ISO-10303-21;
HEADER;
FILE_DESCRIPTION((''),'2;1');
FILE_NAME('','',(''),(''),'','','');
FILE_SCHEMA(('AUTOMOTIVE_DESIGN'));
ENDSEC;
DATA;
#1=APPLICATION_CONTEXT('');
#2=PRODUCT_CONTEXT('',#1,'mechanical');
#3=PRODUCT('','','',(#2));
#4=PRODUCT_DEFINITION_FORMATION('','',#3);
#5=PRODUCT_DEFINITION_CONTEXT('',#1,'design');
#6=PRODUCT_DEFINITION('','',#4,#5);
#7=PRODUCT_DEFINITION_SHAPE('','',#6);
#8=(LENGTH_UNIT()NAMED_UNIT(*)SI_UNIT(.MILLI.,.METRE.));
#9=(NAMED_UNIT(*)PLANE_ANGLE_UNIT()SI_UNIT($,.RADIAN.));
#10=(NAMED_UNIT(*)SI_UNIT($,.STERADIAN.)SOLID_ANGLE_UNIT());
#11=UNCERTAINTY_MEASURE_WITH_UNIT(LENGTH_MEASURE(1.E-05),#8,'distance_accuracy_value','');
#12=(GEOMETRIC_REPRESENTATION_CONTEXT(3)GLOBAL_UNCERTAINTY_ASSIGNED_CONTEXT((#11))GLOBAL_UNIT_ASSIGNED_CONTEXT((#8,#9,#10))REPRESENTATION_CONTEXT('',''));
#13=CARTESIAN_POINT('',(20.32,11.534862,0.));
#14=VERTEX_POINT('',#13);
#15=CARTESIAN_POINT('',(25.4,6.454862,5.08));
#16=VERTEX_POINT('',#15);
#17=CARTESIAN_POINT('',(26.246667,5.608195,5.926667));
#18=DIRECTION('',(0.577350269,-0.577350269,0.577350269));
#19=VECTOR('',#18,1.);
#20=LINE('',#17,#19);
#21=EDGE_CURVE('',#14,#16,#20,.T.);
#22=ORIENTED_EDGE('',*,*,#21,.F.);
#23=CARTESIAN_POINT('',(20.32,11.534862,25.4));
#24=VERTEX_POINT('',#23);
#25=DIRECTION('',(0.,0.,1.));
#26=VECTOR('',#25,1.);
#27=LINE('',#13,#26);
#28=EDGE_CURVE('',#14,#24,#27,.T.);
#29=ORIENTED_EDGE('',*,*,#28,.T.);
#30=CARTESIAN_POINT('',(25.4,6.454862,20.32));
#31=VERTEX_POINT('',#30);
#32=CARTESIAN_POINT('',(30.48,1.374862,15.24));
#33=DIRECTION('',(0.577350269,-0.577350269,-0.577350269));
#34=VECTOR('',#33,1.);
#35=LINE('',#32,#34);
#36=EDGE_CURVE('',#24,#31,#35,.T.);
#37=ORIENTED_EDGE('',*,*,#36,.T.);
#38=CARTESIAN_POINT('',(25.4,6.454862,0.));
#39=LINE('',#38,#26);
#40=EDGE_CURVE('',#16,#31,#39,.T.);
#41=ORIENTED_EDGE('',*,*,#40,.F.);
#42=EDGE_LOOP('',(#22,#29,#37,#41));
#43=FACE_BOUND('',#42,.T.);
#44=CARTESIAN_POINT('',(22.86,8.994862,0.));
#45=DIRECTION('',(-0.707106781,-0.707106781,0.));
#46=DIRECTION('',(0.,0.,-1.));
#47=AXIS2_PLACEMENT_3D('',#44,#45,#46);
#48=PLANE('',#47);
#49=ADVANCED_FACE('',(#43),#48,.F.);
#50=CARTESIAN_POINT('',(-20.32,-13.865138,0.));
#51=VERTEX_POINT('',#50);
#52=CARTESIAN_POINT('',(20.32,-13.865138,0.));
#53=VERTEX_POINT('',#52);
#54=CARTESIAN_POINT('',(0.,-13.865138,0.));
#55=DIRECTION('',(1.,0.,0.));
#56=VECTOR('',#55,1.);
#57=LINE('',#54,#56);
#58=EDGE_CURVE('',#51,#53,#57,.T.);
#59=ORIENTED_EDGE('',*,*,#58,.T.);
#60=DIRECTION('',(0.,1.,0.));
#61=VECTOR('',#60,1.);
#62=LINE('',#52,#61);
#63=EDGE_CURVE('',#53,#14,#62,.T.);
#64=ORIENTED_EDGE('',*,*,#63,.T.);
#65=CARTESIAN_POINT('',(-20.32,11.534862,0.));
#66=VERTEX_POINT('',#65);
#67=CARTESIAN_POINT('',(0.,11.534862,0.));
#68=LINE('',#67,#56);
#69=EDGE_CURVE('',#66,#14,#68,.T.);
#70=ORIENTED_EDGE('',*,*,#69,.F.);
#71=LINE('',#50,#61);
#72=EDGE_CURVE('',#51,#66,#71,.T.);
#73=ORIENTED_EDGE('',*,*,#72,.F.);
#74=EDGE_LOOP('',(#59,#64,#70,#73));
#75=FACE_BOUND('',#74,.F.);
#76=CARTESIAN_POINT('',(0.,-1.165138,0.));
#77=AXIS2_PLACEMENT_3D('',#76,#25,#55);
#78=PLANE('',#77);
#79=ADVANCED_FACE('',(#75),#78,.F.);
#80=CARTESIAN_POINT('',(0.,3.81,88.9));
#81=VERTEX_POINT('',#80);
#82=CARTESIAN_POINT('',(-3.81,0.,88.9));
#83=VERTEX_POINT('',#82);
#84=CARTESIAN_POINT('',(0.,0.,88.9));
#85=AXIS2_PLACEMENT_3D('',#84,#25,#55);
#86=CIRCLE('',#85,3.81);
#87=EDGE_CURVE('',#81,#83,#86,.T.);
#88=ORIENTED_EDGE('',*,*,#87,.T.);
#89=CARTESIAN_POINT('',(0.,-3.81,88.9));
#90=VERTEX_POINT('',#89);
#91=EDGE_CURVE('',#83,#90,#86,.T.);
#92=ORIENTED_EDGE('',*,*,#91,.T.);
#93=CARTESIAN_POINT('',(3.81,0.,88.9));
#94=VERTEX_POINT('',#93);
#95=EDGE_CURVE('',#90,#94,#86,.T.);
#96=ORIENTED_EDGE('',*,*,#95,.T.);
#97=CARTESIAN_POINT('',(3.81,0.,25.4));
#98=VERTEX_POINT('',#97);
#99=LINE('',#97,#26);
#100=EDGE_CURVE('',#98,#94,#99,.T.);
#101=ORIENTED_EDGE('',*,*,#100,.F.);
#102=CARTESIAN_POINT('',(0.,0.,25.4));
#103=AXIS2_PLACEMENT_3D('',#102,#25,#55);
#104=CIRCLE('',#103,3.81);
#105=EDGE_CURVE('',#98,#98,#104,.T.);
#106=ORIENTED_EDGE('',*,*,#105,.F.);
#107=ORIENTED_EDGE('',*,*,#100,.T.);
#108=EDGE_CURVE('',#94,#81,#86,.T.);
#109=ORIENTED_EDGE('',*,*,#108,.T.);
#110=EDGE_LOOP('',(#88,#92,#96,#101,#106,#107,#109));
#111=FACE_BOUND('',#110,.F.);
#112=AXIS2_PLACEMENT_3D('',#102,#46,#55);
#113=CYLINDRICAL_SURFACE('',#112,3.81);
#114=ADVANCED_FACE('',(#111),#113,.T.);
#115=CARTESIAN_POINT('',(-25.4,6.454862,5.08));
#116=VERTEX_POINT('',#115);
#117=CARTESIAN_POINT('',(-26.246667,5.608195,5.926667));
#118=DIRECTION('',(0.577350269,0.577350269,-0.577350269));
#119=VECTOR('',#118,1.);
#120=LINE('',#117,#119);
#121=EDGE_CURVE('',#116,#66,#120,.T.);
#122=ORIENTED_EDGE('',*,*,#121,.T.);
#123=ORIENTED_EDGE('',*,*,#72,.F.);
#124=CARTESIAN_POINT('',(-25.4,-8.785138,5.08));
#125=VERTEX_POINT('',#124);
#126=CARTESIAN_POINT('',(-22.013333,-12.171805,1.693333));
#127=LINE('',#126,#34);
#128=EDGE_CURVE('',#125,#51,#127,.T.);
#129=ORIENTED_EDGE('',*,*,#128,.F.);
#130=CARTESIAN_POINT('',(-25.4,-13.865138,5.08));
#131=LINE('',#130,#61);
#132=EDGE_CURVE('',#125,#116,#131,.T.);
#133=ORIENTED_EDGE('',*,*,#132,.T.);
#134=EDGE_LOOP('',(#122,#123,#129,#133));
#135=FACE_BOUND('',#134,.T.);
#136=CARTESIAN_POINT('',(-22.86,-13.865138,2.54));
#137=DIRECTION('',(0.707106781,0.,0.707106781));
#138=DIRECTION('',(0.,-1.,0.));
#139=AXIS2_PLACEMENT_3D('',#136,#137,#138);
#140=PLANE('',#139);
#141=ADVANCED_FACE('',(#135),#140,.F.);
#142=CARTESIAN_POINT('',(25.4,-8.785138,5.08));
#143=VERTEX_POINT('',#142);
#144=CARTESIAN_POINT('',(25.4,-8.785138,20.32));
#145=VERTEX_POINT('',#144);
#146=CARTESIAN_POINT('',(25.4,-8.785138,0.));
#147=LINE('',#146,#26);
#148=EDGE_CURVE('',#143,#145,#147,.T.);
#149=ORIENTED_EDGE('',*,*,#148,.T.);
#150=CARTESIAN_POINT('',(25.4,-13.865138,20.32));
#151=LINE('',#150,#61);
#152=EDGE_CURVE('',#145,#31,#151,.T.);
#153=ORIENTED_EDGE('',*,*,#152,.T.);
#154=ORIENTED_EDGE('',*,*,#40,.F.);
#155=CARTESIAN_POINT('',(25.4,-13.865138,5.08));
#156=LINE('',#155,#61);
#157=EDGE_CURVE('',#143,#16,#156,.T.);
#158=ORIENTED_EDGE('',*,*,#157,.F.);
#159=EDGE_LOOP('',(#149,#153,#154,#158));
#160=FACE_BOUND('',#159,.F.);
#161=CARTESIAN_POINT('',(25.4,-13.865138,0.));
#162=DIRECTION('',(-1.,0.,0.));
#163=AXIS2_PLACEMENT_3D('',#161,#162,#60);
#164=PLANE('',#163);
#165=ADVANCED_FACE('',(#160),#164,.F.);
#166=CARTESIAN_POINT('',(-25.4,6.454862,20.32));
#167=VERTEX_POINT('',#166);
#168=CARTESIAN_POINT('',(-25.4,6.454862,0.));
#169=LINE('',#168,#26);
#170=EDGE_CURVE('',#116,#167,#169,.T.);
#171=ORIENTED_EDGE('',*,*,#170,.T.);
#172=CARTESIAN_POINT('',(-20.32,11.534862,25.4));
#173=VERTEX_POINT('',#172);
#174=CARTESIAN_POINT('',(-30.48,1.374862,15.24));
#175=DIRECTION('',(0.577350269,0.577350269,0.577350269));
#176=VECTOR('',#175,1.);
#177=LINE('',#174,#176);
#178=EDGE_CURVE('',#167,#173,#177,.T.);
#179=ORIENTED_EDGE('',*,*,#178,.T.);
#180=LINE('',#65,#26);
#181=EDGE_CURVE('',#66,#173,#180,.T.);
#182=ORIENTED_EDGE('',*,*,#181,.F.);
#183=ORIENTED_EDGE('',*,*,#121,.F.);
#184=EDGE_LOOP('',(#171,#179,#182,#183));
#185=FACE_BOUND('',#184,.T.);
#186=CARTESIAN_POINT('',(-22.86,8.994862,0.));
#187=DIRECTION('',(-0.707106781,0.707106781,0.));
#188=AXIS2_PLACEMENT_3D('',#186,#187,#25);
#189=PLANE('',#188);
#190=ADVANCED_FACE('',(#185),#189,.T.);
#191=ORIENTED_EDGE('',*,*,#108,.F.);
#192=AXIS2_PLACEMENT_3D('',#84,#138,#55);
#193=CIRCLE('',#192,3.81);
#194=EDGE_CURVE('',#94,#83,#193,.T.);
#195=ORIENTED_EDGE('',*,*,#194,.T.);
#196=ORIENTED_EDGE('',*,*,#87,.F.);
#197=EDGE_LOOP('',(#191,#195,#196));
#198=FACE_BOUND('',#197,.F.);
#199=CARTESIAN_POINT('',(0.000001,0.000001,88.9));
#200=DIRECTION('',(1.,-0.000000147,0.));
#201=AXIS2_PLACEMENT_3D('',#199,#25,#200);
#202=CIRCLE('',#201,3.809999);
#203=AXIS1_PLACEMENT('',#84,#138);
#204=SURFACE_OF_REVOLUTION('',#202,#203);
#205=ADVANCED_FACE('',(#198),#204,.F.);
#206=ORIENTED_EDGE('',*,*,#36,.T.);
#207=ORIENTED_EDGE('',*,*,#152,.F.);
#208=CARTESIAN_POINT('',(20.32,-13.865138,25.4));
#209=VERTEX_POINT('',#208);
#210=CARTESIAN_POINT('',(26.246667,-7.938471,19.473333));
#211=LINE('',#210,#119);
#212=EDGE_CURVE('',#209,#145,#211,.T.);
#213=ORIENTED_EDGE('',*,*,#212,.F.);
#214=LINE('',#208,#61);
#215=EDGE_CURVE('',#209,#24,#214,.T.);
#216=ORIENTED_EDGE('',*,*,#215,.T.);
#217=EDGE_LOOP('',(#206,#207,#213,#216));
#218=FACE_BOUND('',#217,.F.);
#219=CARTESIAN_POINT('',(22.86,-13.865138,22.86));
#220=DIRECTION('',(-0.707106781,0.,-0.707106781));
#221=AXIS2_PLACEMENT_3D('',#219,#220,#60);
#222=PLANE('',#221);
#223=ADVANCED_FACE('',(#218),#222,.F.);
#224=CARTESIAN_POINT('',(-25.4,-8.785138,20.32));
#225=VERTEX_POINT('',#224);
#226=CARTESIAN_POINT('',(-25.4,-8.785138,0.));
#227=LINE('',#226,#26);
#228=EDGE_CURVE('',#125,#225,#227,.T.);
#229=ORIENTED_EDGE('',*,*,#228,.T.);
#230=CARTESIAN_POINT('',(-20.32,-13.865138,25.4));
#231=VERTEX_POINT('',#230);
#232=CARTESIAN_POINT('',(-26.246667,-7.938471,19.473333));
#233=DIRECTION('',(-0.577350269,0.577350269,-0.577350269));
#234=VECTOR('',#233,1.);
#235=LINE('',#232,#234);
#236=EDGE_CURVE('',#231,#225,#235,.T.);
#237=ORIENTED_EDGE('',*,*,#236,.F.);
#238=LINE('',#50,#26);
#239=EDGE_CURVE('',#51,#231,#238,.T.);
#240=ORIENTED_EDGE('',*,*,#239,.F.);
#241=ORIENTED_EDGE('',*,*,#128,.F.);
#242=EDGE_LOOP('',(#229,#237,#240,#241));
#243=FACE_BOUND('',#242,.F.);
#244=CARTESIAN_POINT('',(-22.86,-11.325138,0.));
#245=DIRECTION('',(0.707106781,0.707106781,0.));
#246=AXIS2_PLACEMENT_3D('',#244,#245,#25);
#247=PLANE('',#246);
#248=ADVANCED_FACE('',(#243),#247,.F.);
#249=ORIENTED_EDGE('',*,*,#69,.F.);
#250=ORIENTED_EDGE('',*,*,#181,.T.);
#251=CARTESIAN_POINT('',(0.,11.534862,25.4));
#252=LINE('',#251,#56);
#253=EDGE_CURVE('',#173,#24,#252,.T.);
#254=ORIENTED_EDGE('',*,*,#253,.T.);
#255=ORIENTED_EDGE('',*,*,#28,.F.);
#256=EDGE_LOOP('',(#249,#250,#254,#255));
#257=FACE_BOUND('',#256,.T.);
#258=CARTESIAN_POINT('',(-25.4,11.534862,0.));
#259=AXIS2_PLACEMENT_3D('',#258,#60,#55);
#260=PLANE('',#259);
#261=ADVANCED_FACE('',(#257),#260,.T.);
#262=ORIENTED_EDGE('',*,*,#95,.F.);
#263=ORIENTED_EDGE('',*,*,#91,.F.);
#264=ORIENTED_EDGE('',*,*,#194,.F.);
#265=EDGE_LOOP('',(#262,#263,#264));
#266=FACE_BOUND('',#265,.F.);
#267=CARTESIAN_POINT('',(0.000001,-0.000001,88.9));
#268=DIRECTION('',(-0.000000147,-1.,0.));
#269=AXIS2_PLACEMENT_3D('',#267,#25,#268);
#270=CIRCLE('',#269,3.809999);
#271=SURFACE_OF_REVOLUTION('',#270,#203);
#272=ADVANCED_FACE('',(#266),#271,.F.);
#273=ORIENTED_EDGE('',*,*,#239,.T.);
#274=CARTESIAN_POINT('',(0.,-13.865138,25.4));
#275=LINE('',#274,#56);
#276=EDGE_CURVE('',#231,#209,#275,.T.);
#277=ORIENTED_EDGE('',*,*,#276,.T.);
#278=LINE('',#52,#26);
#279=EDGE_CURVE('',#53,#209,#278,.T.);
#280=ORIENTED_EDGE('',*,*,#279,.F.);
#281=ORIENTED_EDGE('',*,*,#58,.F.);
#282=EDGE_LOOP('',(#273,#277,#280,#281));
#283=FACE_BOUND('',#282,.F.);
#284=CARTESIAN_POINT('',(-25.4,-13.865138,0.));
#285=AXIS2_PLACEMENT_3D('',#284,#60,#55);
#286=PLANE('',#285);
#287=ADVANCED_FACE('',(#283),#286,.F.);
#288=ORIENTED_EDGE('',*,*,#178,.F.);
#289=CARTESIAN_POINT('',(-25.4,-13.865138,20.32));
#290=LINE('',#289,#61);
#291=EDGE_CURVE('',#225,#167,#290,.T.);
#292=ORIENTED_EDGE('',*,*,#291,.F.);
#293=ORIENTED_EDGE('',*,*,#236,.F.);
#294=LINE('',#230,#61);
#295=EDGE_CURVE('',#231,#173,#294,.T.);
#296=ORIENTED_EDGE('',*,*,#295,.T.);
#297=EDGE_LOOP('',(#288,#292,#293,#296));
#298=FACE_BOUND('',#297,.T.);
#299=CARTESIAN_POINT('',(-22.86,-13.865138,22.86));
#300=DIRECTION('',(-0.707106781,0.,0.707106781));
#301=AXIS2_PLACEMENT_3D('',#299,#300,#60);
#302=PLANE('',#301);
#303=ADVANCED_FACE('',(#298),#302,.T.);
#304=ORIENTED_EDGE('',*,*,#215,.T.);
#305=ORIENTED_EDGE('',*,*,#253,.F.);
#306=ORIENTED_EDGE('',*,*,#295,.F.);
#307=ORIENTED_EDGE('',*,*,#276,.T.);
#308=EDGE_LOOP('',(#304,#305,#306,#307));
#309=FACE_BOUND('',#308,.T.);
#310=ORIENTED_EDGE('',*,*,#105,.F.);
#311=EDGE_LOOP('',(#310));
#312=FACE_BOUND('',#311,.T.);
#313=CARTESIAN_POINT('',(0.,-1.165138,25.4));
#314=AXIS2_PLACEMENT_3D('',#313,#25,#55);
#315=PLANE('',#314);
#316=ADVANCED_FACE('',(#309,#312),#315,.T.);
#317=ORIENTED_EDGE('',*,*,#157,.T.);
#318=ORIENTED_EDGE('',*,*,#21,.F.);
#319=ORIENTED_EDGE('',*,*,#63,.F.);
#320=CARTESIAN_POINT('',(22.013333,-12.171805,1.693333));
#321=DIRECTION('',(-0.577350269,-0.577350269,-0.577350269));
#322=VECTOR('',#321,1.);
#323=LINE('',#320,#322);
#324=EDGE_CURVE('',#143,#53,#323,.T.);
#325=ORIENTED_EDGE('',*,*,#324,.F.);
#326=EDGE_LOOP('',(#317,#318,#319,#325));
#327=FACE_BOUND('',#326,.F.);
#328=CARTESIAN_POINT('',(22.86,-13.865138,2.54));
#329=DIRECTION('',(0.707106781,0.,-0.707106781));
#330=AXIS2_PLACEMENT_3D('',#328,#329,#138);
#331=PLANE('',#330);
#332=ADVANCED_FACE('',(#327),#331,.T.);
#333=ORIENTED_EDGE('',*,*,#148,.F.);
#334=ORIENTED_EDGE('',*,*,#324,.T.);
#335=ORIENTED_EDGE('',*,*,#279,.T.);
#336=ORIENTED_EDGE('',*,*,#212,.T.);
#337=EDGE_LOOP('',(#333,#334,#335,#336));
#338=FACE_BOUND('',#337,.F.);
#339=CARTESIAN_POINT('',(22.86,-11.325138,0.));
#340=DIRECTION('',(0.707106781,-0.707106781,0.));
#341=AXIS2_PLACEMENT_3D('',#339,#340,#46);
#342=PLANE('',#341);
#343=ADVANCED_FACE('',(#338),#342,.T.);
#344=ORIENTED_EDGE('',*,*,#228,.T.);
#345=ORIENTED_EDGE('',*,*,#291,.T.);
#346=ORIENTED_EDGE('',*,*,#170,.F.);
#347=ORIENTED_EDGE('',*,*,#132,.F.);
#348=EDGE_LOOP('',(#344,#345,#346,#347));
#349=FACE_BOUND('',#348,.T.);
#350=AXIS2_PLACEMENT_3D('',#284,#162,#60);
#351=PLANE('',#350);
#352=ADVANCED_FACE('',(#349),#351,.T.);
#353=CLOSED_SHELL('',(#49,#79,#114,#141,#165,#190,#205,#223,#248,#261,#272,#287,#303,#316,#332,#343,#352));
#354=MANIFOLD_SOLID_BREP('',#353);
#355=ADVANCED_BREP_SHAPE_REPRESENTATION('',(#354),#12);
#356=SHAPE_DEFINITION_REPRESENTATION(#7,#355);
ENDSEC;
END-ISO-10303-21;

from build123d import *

# Parameters (mm, degrees)
F0_W     = 50.8
F0_H     = 25.4
F1_DEPTH = 25.4
F2_R     = 3.81
F3_DEPTH = 63.5
F6_SIZE  = 5.08


with BuildPart() as f1:
    # F0 (on Top) → F1 (new body)
    with BuildSketch(Plane.XY):
        with Locations((0, -1.165138)):
            Rectangle(F0_W, F0_H)
    extrude(amount=F1_DEPTH)

    # F2 (on face) → F3 (join)
    with BuildSketch(Plane.XY.offset(25.4)):
        Circle(F2_R)
    extrude(amount=F3_DEPTH)

    # F4 (on face) → F5 (revolve)
    with BuildSketch(Plane.XY.offset(88.9)):
        with BuildLine():
            Line((0, 3.81), (0, -3.81))
            ThreePointArc((0, -3.81), (2.694077, -2.694077), (3.81, 0))
            ThreePointArc((3.81, 0), (2.694077, 2.694077), (0, 3.81))
        make_face()
    revolve(axis=Axis((0, 0, 88.9), (0, -1, 0)))

    # F6
    f6_edges = [f1.edges().sort_by_distance(p)[0] for p in [
        (-25.4, 11.534862, 12.7),
        (-25.4, -1.165138, 25.4),
        (25.4, -1.165138, 25.4),
        (25.4, 11.534862, 12.7),
        (25.4, -1.165138, 0),
        (25.4, -13.865138, 12.7),
        (-25.4, -13.865138, 12.7),
        (-25.4, -1.165138, 0),
    ]]
    chamfer(f6_edges, length=F6_SIZE)


solid = f1.part
